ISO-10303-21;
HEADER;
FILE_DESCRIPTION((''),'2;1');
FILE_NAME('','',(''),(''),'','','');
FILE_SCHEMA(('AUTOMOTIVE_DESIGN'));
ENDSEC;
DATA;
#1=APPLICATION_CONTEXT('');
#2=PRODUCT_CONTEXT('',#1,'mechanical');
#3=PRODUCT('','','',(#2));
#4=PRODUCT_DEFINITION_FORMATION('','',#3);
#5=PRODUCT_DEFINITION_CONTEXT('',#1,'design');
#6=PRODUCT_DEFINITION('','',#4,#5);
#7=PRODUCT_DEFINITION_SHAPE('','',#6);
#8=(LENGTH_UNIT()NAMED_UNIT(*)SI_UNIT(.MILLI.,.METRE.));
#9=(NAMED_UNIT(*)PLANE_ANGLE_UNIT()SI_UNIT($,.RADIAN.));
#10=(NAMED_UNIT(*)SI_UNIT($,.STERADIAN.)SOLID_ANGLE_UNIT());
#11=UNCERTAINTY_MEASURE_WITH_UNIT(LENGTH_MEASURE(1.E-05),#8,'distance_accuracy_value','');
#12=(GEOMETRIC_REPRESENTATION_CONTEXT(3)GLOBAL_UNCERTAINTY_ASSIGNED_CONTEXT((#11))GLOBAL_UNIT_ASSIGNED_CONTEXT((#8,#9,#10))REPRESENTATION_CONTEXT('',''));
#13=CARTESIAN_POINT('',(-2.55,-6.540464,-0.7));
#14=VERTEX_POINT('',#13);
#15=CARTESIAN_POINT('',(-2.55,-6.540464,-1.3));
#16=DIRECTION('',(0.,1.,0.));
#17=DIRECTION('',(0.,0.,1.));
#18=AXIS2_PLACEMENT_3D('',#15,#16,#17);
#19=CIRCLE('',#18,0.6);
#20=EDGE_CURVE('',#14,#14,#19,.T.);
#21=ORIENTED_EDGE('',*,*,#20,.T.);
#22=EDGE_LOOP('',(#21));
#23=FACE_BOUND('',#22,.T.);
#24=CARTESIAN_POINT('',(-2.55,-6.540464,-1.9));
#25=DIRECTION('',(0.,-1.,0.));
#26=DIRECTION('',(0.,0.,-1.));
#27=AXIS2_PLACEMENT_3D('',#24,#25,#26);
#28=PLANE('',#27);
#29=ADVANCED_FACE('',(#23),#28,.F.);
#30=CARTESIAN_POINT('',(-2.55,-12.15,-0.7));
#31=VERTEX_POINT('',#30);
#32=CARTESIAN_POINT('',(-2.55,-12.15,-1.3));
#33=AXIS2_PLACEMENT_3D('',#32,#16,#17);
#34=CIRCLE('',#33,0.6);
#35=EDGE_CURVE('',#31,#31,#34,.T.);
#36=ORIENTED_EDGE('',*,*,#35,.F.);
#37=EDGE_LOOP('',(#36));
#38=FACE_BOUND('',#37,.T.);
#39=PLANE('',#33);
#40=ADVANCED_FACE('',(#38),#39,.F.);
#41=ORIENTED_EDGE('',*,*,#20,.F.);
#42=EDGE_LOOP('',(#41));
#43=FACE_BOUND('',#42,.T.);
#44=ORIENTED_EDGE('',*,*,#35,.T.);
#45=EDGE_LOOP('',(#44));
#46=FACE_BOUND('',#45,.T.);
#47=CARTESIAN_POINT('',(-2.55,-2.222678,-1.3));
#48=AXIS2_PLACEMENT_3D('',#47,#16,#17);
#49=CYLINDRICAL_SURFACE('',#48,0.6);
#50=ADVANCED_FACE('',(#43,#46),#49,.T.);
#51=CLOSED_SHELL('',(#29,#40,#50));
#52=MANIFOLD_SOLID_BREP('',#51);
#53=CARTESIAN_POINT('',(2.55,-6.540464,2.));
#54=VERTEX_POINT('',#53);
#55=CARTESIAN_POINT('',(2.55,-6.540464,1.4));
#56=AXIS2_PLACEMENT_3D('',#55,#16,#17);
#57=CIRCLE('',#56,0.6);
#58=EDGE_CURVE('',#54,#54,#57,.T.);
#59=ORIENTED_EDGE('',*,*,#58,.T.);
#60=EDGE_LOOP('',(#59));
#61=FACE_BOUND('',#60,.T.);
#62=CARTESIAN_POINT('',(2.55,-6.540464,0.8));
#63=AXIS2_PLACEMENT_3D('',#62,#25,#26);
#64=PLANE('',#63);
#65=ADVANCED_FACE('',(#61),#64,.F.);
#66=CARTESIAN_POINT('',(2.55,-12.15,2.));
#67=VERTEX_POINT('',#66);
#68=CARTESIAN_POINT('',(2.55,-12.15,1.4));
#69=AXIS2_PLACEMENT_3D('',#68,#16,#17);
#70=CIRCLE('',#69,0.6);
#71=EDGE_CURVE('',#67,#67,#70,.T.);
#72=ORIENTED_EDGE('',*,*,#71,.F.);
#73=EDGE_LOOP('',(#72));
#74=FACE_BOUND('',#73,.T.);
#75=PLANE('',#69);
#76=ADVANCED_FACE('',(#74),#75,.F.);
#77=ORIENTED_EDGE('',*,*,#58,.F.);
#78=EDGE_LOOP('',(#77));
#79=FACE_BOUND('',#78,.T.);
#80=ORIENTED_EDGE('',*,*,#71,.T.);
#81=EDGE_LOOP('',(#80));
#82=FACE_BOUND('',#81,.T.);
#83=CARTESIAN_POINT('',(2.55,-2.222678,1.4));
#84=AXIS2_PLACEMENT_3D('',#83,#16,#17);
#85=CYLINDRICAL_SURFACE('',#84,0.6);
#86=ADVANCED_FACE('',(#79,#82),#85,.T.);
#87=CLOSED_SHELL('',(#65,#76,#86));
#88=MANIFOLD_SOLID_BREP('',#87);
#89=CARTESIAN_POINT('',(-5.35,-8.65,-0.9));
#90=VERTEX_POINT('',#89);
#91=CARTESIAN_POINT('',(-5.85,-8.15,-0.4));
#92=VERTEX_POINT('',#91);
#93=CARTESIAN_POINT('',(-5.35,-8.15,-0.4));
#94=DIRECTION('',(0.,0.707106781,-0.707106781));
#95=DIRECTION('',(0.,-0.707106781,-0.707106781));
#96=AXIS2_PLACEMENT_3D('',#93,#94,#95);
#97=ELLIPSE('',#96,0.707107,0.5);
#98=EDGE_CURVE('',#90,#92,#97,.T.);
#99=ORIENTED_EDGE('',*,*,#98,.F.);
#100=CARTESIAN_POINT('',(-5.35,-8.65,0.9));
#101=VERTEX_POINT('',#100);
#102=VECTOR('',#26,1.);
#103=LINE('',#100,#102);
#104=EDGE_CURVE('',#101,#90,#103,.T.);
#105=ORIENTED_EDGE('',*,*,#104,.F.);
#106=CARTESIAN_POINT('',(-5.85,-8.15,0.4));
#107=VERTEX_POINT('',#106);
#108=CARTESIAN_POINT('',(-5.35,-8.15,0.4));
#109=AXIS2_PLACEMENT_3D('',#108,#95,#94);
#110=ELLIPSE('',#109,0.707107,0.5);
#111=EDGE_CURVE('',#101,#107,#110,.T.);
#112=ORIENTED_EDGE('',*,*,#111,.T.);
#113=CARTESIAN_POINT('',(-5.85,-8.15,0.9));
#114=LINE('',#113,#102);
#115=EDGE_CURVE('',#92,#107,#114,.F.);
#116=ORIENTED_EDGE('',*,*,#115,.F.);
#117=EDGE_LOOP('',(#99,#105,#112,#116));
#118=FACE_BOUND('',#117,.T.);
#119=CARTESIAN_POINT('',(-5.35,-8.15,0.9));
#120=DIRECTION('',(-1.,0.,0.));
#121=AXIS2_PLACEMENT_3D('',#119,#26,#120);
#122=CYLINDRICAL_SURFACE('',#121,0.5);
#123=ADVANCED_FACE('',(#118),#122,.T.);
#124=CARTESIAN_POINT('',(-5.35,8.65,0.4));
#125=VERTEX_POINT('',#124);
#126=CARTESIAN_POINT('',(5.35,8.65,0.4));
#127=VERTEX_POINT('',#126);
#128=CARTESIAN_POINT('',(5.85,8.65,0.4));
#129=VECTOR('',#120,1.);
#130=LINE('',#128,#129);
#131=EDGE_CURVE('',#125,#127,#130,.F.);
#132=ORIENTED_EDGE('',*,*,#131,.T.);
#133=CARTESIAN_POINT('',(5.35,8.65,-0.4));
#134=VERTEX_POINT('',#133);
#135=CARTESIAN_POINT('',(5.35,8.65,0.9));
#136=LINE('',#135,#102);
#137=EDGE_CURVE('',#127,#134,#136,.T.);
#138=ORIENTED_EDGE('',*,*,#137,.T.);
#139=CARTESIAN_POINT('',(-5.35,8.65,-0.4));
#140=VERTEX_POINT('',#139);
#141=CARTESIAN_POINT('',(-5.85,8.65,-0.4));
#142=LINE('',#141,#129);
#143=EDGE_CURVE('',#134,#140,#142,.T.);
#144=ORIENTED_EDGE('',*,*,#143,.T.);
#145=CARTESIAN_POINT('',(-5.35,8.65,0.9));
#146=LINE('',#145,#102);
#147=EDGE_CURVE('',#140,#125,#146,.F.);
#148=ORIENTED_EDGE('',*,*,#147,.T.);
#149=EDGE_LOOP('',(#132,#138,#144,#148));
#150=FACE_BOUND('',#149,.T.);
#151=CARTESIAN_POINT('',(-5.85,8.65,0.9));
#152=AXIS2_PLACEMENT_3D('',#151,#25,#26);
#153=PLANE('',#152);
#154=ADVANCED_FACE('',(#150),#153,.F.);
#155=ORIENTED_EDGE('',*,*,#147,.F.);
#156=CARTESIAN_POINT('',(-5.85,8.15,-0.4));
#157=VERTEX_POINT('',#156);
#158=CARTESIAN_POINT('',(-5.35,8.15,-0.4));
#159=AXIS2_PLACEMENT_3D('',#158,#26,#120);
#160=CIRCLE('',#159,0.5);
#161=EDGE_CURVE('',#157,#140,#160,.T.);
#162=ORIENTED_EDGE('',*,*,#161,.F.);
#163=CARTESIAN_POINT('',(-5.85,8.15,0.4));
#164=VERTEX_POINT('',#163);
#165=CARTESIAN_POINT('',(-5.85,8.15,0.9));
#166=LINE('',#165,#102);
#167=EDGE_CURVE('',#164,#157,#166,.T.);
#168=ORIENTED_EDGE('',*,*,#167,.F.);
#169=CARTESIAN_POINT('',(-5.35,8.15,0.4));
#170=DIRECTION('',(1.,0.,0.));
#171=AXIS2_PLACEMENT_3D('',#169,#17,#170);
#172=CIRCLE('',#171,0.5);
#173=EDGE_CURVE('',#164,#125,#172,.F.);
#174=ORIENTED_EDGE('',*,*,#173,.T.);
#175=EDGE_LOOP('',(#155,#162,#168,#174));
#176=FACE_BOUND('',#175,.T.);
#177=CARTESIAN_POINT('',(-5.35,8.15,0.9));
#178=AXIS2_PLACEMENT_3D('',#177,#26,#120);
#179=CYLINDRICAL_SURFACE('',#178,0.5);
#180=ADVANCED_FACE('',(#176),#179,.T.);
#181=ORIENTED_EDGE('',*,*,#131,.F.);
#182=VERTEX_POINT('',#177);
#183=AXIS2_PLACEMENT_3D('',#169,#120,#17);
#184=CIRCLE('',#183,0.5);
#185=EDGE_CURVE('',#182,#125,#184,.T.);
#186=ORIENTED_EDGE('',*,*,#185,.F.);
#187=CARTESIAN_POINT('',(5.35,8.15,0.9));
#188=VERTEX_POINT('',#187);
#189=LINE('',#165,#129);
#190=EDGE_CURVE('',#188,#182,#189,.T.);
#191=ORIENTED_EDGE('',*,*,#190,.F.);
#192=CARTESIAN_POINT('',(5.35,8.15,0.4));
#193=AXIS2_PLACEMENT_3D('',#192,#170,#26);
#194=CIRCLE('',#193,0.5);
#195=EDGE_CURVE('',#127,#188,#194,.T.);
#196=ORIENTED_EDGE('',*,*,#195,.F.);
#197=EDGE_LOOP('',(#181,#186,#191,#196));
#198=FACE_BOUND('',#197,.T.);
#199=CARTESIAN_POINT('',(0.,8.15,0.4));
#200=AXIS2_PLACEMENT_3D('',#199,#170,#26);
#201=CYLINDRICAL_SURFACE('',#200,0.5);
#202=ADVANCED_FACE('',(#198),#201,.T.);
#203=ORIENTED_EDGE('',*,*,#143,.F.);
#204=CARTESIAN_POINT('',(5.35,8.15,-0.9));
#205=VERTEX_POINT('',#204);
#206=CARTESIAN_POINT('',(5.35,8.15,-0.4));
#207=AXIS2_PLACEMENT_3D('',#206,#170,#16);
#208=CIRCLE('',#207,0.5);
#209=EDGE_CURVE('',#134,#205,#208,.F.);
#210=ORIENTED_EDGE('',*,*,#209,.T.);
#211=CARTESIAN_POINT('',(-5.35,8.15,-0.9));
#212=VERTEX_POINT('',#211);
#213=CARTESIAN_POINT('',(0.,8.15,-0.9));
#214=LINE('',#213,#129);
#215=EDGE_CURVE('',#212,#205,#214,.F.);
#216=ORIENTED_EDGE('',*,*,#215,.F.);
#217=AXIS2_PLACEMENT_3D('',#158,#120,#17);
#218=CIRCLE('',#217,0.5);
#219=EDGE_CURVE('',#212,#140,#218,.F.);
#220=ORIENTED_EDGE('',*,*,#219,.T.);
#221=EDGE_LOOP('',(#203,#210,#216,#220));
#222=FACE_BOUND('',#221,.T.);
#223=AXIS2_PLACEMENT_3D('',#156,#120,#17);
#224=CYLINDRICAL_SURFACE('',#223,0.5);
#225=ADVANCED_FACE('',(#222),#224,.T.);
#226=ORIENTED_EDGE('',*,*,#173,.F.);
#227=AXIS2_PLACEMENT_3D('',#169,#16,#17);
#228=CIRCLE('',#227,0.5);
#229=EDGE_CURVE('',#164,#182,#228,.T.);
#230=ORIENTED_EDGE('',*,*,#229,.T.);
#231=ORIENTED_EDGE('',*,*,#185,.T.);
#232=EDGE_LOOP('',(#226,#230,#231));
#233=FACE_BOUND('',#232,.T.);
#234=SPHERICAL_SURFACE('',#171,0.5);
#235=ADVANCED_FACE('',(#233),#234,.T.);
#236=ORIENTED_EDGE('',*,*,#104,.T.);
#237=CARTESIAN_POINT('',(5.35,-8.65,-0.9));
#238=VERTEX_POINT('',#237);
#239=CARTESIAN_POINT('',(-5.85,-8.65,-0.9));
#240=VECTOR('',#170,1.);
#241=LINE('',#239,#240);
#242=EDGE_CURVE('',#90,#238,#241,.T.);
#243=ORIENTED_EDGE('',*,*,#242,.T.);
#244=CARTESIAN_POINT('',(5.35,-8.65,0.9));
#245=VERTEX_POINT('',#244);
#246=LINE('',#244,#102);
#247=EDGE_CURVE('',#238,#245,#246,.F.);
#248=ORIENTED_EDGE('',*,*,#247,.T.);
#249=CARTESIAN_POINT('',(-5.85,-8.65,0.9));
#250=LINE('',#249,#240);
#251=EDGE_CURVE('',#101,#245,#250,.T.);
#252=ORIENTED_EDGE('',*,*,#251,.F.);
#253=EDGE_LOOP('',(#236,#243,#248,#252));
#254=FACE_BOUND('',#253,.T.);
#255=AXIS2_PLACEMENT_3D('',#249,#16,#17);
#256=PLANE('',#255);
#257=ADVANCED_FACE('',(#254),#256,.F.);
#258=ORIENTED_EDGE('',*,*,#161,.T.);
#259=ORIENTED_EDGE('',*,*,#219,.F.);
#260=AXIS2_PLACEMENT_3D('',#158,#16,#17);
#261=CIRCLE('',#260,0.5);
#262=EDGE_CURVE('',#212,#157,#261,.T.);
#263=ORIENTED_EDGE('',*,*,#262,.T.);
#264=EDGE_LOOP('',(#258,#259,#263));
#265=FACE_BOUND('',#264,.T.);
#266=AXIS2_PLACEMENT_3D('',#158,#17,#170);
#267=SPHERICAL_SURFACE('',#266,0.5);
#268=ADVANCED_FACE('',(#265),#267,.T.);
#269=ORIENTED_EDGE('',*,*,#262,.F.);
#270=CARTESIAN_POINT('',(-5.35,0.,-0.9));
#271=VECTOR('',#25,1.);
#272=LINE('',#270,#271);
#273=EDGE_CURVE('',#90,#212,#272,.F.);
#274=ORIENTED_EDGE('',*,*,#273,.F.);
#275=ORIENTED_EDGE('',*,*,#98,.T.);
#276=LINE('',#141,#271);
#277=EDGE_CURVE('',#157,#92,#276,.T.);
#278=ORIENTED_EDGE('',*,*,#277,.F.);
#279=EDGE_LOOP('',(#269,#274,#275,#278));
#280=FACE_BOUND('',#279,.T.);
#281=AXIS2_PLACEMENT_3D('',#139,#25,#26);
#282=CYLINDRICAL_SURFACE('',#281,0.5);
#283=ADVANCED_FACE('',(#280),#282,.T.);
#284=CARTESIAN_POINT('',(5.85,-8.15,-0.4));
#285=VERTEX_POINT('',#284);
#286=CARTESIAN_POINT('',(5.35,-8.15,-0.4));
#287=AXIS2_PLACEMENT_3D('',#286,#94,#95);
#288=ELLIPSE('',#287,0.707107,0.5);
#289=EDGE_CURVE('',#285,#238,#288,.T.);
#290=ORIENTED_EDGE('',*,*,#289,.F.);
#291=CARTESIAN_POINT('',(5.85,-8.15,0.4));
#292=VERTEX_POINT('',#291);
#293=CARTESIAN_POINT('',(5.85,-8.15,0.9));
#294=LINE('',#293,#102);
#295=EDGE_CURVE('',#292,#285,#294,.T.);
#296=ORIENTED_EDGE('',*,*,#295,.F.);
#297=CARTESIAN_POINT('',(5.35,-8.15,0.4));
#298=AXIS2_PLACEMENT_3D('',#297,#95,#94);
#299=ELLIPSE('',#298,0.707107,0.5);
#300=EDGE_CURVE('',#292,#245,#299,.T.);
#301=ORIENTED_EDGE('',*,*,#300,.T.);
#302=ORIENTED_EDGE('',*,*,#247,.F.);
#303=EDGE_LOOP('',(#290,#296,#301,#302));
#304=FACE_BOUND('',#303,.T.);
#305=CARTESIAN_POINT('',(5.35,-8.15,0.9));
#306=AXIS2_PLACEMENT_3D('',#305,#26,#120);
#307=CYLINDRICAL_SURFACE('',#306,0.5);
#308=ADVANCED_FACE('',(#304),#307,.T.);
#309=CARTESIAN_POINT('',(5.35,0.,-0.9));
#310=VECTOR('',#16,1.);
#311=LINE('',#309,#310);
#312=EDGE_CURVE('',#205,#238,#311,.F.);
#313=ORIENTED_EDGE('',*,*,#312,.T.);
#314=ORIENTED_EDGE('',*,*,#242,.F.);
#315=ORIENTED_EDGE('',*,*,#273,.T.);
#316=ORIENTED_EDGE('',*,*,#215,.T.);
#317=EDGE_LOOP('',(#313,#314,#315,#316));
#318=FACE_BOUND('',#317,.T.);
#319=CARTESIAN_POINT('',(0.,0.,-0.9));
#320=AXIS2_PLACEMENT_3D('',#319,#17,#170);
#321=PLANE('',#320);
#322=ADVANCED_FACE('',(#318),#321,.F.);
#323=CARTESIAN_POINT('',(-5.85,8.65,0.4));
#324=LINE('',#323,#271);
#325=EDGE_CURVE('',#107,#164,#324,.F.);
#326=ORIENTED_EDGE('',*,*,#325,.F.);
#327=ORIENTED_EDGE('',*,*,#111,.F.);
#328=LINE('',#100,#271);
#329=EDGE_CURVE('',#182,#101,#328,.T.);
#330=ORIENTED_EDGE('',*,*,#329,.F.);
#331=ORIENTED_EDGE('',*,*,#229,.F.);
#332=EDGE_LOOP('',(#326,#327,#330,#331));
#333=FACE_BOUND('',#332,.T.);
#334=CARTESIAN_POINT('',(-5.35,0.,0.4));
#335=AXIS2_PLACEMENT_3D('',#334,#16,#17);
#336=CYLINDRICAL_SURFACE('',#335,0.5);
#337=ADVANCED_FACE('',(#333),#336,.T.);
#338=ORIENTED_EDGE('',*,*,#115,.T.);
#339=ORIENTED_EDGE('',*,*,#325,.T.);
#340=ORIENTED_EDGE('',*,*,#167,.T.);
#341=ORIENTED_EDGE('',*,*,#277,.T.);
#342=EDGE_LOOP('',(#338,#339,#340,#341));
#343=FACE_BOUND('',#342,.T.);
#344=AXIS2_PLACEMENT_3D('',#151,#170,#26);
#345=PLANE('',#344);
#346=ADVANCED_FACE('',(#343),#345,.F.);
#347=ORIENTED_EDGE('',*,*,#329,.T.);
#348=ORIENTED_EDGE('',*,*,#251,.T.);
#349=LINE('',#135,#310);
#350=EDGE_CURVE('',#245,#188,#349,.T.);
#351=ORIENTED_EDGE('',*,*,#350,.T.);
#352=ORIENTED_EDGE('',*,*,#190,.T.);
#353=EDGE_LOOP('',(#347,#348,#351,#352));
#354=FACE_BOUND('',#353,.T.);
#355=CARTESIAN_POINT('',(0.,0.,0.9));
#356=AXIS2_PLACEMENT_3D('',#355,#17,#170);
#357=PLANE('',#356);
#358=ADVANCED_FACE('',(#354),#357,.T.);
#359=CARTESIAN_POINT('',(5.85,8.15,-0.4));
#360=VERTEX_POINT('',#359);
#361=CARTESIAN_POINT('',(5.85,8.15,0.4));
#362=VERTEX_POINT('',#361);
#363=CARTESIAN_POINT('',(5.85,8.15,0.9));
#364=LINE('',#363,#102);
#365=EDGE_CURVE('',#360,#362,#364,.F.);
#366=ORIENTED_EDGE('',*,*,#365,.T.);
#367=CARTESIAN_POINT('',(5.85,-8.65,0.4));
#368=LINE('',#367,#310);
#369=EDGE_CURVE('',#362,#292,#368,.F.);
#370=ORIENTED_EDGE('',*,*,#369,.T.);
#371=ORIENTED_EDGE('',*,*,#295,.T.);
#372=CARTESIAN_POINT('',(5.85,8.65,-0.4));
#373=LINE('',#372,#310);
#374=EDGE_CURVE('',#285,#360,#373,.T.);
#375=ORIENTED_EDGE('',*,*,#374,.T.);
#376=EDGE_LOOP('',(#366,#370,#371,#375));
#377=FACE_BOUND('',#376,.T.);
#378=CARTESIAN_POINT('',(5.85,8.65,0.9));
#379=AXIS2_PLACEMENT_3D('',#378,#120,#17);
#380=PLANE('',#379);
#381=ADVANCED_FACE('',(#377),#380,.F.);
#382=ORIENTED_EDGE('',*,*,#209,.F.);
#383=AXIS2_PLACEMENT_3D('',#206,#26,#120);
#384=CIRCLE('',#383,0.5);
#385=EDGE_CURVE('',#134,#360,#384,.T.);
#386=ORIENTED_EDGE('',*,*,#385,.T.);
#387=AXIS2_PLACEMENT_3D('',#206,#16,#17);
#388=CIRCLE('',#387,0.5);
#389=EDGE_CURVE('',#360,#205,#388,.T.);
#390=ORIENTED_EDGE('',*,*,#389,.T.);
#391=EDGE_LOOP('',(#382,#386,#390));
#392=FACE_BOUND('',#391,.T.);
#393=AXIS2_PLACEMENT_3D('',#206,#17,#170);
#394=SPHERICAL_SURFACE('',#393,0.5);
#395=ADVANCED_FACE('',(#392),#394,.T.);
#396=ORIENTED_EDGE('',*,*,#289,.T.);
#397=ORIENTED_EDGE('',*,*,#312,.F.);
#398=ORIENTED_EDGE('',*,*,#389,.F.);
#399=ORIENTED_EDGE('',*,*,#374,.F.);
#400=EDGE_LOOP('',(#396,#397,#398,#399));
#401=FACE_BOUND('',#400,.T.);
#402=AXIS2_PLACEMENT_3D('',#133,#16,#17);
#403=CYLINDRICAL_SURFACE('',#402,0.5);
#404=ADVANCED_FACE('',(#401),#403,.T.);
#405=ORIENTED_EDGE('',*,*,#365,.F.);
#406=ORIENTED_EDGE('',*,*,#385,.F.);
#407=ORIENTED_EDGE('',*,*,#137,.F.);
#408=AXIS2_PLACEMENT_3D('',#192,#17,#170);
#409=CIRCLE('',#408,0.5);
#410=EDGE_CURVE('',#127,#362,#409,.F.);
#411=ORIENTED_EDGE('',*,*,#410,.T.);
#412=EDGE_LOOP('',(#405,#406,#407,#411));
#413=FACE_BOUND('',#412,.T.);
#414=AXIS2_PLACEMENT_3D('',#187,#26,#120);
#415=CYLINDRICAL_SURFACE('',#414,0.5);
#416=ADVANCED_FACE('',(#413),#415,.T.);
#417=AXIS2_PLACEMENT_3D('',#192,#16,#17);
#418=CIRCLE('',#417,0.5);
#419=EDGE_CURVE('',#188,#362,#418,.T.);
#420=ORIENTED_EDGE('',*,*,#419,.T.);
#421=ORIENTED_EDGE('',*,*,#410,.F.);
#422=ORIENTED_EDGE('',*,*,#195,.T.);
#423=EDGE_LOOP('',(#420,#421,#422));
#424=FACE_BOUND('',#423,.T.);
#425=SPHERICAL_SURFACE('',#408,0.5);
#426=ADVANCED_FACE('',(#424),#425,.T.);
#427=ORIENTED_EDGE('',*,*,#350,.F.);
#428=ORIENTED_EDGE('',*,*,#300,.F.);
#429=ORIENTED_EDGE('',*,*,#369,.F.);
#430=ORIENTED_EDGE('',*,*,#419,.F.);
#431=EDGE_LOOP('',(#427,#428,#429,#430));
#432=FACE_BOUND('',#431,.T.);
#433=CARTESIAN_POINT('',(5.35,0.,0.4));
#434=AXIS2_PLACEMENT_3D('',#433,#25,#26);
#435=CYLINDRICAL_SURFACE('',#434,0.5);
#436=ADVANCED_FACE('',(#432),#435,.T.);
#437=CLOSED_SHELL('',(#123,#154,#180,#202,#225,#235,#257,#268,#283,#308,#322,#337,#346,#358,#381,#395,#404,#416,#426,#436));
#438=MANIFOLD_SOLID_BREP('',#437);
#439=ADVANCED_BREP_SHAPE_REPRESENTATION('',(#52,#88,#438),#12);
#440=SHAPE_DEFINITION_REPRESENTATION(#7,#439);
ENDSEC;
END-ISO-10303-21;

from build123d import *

# Parameters (mm, degrees)
SKETCH_1_W      = 11.7
SKETCH_1_H      = 17.3
EXTRUDE_1_DEPTH = 0.9
FILLET_1_R      = 0.5
SKETCH_3_W      = 0.6
SKETCH_3_H      = 5.609535621


with BuildPart() as part:
    # Эскиз1 → Бобышка-Вытянуть1 (new, symmetric)
    with BuildSketch(Plane.XY):
        Rectangle(SKETCH_1_W, SKETCH_1_H)
    extrude(amount=EXTRUDE_1_DEPTH, both=True)

    # Скругление1
    fillet_1_edges = [part.edges().sort_by_distance(p)[0] for p in [
        (5.85, 0, 0.9),
        (0, 8.65, 0.9),
        (-5.85, 0, 0.9),
        (0, 8.65, -0.9),
        (5.85, 0, -0.9),
        (-5.85, 0, -0.9),
        (-5.85, 8.65, 0),
        (5.85, 8.65, 0),
        (5.85, -8.65, 0),
        (-5.85, -8.65, 0),
    ]]
    fillet(fillet_1_edges, radius=FILLET_1_R)


with BuildPart() as body_2:
    # Эскиз3 → Повернуть2 (revolve)
    with BuildSketch(Plane(origin=(2.55, 0, 0), x_dir=(0, 0, -1), z_dir=(1, 0, 0)), mode=Mode.PRIVATE) as revolve_2_sk:
        with Locations((-1.1, -9.34523219)):
            Rectangle(SKETCH_3_W, SKETCH_3_H)
    revolve(revolve_2_sk.sketch.rotate(Axis((2.55, -2.222678483, 1.4), (0, -1, 0)), 180), axis=Axis((2.55, -2.222678483, 1.4), (0, -1, 0)))


with BuildPart() as body_3:
    # Move Body 1: copy of body 2
    add(body_2.part.moved(Location((-5.1, 0, -2.7))))


solid = Compound([part.part, body_2.part, body_3.part])
